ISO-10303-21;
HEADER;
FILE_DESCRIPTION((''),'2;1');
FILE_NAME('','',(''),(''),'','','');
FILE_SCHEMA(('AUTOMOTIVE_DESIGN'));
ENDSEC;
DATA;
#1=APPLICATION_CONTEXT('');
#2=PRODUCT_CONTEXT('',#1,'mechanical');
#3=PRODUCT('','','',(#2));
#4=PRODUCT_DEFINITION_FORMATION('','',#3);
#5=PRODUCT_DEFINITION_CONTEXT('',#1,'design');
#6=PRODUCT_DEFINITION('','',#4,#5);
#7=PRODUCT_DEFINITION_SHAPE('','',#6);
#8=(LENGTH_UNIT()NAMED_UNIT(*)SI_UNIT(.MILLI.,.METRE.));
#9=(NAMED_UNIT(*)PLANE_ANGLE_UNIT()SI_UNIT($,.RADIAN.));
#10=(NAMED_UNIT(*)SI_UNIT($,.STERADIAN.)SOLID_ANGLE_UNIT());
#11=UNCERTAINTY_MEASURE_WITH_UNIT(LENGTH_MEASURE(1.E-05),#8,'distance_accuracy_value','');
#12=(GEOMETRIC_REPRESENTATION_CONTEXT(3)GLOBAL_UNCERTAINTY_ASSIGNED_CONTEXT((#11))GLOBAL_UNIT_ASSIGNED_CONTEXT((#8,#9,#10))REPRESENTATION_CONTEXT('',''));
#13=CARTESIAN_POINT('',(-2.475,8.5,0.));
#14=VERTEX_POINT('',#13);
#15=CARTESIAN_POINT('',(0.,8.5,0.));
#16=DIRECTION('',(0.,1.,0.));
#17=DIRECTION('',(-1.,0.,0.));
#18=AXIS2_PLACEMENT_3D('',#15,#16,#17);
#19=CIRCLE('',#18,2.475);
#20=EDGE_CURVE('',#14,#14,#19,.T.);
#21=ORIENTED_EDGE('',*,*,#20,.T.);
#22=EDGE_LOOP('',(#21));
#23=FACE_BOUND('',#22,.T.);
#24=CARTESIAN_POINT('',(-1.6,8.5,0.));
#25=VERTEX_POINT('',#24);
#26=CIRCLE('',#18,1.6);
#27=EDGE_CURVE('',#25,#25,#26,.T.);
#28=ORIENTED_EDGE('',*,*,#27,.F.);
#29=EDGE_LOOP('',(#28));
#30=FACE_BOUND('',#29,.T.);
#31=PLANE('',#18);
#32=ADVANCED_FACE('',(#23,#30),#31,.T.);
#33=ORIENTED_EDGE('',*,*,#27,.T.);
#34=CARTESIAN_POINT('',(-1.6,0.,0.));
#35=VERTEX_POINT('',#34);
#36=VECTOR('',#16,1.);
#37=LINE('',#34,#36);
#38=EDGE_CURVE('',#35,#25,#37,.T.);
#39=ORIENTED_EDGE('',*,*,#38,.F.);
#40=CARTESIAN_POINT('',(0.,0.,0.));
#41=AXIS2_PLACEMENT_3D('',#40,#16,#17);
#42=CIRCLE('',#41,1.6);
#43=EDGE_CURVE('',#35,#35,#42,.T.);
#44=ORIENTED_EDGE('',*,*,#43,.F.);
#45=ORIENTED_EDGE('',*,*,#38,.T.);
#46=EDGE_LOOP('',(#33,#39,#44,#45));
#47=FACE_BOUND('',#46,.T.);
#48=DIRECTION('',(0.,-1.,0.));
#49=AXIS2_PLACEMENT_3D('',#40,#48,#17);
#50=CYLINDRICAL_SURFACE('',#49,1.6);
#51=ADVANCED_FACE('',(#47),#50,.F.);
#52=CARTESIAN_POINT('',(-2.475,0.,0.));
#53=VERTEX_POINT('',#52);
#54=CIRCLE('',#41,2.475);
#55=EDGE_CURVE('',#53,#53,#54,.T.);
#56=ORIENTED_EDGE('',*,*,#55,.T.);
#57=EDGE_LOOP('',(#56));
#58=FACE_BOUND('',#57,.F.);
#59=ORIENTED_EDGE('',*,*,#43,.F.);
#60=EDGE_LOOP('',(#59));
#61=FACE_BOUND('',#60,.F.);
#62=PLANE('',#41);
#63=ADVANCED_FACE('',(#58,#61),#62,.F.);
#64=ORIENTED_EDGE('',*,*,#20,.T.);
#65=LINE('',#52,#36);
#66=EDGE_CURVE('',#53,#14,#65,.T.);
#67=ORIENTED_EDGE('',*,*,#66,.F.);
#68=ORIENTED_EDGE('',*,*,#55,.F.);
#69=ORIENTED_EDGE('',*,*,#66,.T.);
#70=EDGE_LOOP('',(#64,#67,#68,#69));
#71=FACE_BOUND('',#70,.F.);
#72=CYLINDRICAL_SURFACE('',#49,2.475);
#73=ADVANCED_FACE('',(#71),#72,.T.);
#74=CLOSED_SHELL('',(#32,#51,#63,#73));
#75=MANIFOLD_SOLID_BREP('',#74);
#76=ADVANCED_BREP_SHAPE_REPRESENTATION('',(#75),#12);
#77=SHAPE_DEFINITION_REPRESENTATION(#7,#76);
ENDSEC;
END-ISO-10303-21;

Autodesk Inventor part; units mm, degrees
ref_plane "YZ Plane" through (0, 0, 0) normal (1, 0, 0) x (0, 1, 0)
ref_plane "XZ Plane" through (0, 0, 0) normal (0, 1, 0) x (-1, 0, 0)
ref_plane "XY Plane" through (0, 0, 0) normal (0, 0, 1) x (1, 0, 0)
sketch "Эскиз1" plane through (0, 0, 0) normal (0, 1, 0) x (-1, 0, 0)
  circle A0 centre (0, 0) radius 2.475
  circle A1 centre (0, 0) radius 1.6
  dimension "d0" = 4.95
  dimension "d1" = 3.2
extrude "Выдавливание1" add sketch "Эскиз1" along normal blind 8.5
properties part number "втулка5-3"
